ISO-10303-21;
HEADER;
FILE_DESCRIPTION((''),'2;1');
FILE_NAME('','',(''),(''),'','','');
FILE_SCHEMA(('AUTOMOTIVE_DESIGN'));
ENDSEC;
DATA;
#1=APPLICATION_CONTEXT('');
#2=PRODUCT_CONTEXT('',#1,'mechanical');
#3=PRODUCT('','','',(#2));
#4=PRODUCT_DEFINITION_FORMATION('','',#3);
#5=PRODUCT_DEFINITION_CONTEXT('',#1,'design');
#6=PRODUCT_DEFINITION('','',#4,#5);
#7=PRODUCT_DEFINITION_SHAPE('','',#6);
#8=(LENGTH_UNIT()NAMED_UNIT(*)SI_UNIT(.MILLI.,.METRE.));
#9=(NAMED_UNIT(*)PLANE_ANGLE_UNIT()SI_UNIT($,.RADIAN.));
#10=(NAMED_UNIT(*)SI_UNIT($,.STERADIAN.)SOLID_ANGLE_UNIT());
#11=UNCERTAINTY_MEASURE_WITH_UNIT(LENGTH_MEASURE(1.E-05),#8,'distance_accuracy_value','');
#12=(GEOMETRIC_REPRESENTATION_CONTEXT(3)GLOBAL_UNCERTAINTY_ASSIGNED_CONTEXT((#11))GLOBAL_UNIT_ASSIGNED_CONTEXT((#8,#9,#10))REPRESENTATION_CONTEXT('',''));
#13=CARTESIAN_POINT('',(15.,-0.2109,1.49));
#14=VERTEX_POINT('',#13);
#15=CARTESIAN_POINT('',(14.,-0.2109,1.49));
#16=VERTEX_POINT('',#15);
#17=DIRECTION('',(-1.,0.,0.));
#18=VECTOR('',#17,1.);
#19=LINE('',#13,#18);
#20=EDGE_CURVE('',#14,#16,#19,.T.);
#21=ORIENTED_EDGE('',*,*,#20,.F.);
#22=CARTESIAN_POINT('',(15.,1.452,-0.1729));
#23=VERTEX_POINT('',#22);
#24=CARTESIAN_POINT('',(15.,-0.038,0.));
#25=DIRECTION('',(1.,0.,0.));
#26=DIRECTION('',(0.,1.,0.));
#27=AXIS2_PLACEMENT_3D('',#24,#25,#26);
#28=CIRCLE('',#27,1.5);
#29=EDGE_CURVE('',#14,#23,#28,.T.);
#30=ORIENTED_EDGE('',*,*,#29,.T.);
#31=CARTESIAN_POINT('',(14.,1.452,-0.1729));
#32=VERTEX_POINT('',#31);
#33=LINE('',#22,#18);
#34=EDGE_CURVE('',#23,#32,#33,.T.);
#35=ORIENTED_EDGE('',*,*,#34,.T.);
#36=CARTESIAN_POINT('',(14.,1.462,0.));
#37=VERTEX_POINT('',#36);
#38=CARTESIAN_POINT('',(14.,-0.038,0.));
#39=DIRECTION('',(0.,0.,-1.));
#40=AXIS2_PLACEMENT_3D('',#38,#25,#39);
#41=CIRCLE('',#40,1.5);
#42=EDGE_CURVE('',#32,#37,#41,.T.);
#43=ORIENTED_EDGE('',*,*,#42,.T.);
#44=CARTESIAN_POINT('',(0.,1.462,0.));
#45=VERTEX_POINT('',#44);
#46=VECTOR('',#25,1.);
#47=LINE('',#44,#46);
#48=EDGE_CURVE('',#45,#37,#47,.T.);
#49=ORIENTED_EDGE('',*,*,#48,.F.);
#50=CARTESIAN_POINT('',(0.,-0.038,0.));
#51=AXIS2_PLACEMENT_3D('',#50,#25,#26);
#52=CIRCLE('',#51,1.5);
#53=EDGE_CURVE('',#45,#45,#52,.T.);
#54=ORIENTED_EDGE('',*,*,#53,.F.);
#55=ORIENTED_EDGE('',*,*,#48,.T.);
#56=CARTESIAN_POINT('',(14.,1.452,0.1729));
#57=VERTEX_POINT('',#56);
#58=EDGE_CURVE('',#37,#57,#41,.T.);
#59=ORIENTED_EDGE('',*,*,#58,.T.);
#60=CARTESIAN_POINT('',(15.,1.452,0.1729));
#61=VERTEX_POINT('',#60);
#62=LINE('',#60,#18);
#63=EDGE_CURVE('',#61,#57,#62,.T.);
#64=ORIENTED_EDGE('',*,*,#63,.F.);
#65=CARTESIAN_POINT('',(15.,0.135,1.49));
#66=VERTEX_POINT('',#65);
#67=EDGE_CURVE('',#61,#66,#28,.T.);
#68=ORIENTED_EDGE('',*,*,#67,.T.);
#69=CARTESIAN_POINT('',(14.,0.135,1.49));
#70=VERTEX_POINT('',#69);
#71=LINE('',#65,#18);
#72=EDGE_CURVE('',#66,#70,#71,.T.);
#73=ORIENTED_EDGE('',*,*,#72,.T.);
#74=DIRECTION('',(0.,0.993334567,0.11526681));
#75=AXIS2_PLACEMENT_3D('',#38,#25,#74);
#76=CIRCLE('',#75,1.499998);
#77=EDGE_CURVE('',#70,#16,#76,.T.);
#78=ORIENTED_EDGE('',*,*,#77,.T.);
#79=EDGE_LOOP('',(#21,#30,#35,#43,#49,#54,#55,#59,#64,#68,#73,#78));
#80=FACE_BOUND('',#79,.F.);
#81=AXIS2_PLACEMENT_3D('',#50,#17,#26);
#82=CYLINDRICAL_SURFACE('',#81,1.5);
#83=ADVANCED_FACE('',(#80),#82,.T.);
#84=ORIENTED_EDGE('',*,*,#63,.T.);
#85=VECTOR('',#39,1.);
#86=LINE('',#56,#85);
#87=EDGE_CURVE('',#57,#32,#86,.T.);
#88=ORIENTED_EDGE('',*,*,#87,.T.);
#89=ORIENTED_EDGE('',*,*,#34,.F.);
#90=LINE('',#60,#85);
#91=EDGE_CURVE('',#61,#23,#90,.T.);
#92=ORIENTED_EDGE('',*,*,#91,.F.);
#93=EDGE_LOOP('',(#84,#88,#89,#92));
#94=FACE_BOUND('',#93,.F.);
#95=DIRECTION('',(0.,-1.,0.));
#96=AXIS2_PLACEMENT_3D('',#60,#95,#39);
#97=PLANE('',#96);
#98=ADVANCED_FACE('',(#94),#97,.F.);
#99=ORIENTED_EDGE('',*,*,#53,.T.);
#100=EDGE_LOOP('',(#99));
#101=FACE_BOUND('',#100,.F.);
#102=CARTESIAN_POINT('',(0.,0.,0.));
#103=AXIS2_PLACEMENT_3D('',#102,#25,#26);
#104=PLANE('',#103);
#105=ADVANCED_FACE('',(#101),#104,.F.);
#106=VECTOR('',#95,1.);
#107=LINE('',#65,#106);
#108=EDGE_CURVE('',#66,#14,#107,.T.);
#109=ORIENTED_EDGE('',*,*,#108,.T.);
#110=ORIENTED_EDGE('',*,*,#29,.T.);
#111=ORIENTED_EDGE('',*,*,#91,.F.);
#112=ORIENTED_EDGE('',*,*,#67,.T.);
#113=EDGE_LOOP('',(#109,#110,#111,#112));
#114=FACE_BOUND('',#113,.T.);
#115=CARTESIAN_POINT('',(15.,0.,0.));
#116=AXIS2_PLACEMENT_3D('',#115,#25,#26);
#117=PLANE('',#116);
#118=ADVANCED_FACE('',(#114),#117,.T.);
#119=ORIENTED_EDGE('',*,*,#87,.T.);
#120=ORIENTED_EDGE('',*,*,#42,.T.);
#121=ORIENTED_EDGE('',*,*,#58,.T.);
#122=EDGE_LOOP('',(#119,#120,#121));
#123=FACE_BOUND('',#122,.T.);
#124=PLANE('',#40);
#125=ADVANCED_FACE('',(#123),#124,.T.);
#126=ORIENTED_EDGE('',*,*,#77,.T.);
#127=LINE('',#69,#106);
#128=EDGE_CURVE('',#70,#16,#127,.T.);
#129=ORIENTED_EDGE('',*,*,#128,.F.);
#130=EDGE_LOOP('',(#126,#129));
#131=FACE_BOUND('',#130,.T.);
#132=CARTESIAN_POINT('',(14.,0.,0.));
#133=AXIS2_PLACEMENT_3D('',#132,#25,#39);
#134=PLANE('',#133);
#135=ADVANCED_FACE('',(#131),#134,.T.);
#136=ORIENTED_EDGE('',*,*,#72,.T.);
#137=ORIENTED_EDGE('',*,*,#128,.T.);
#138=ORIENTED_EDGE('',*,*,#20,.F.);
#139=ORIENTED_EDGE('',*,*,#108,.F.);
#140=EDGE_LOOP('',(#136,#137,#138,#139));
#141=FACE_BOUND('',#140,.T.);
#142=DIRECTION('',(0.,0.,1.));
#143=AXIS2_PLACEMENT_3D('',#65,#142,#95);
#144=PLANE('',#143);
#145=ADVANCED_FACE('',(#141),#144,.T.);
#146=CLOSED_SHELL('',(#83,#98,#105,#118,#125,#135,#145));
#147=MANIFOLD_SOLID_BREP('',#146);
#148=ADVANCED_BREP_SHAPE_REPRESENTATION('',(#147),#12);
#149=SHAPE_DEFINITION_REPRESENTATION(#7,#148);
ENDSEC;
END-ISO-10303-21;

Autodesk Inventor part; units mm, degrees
ref_plane "YZ Plane" through (0, 0, 0) normal (1, 0, 0) x (0, 1, 0)
ref_plane "XZ Plane" through (0, 0, 0) normal (0, 1, 0) x (-1, 0, 0)
ref_plane "XY Plane" through (0, 0, 0) normal (0, 0, 1) x (1, 0, 0)
sketch "Sketch1" plane through (0, 0, 0) normal (1, 0, 0) x (0, 1, 0)
  circle A0 centre (-0.038, 0) radius 1.5
  point P0 (0, 0)
  dimension "d0" = 3
extrude "Extrusion1" add sketch "Sketch1" along normal blind 15
sketch "Sketch2" plane through (15, -0.038, 0) normal (1, 0, 0) x (0, 0, -1)
  circle A0 centre (0, 0) radius 1.5 projected
  line L0 (-0.1729, 1.49) -> (0.1729, 1.49)
  point P0 (0, 0.038)
  point P1 (0, 1.49)
  dimension "d3" = 1.49
extrude "Extrusion2" cut sketch "Sketch2" against normal blind 1 contours L0 A0 picked at (-0.0192, 1.493)
sketch "Sketch3" plane through (15, 0, 0) normal (1, 0, 0) x (0, 0, -1)
  point P0 (0, 0)
sketch "Sketch4" plane through (15, 0, 0) normal (1, 0, 0) x (0, 0, -1)
  arc A0 (-0.1729, 1.452) -> (0.1729, 1.452) centre (0, -0.038) ccw projected
  line L0 (-1.49, 0.135) -> (-1.49, -0.2109)
  line L1 (0.1729, 1.452) -> (-0.1729, 1.452) projected
  point P0 (0, 0)
  point P1 (-1.49, -0.038)
  dimension "d6" = 1.49
extrude "Extrusion3" cut sketch "Sketch4" against normal blind 1 contours L0 A0
properties part number "pin" material "Steel"
